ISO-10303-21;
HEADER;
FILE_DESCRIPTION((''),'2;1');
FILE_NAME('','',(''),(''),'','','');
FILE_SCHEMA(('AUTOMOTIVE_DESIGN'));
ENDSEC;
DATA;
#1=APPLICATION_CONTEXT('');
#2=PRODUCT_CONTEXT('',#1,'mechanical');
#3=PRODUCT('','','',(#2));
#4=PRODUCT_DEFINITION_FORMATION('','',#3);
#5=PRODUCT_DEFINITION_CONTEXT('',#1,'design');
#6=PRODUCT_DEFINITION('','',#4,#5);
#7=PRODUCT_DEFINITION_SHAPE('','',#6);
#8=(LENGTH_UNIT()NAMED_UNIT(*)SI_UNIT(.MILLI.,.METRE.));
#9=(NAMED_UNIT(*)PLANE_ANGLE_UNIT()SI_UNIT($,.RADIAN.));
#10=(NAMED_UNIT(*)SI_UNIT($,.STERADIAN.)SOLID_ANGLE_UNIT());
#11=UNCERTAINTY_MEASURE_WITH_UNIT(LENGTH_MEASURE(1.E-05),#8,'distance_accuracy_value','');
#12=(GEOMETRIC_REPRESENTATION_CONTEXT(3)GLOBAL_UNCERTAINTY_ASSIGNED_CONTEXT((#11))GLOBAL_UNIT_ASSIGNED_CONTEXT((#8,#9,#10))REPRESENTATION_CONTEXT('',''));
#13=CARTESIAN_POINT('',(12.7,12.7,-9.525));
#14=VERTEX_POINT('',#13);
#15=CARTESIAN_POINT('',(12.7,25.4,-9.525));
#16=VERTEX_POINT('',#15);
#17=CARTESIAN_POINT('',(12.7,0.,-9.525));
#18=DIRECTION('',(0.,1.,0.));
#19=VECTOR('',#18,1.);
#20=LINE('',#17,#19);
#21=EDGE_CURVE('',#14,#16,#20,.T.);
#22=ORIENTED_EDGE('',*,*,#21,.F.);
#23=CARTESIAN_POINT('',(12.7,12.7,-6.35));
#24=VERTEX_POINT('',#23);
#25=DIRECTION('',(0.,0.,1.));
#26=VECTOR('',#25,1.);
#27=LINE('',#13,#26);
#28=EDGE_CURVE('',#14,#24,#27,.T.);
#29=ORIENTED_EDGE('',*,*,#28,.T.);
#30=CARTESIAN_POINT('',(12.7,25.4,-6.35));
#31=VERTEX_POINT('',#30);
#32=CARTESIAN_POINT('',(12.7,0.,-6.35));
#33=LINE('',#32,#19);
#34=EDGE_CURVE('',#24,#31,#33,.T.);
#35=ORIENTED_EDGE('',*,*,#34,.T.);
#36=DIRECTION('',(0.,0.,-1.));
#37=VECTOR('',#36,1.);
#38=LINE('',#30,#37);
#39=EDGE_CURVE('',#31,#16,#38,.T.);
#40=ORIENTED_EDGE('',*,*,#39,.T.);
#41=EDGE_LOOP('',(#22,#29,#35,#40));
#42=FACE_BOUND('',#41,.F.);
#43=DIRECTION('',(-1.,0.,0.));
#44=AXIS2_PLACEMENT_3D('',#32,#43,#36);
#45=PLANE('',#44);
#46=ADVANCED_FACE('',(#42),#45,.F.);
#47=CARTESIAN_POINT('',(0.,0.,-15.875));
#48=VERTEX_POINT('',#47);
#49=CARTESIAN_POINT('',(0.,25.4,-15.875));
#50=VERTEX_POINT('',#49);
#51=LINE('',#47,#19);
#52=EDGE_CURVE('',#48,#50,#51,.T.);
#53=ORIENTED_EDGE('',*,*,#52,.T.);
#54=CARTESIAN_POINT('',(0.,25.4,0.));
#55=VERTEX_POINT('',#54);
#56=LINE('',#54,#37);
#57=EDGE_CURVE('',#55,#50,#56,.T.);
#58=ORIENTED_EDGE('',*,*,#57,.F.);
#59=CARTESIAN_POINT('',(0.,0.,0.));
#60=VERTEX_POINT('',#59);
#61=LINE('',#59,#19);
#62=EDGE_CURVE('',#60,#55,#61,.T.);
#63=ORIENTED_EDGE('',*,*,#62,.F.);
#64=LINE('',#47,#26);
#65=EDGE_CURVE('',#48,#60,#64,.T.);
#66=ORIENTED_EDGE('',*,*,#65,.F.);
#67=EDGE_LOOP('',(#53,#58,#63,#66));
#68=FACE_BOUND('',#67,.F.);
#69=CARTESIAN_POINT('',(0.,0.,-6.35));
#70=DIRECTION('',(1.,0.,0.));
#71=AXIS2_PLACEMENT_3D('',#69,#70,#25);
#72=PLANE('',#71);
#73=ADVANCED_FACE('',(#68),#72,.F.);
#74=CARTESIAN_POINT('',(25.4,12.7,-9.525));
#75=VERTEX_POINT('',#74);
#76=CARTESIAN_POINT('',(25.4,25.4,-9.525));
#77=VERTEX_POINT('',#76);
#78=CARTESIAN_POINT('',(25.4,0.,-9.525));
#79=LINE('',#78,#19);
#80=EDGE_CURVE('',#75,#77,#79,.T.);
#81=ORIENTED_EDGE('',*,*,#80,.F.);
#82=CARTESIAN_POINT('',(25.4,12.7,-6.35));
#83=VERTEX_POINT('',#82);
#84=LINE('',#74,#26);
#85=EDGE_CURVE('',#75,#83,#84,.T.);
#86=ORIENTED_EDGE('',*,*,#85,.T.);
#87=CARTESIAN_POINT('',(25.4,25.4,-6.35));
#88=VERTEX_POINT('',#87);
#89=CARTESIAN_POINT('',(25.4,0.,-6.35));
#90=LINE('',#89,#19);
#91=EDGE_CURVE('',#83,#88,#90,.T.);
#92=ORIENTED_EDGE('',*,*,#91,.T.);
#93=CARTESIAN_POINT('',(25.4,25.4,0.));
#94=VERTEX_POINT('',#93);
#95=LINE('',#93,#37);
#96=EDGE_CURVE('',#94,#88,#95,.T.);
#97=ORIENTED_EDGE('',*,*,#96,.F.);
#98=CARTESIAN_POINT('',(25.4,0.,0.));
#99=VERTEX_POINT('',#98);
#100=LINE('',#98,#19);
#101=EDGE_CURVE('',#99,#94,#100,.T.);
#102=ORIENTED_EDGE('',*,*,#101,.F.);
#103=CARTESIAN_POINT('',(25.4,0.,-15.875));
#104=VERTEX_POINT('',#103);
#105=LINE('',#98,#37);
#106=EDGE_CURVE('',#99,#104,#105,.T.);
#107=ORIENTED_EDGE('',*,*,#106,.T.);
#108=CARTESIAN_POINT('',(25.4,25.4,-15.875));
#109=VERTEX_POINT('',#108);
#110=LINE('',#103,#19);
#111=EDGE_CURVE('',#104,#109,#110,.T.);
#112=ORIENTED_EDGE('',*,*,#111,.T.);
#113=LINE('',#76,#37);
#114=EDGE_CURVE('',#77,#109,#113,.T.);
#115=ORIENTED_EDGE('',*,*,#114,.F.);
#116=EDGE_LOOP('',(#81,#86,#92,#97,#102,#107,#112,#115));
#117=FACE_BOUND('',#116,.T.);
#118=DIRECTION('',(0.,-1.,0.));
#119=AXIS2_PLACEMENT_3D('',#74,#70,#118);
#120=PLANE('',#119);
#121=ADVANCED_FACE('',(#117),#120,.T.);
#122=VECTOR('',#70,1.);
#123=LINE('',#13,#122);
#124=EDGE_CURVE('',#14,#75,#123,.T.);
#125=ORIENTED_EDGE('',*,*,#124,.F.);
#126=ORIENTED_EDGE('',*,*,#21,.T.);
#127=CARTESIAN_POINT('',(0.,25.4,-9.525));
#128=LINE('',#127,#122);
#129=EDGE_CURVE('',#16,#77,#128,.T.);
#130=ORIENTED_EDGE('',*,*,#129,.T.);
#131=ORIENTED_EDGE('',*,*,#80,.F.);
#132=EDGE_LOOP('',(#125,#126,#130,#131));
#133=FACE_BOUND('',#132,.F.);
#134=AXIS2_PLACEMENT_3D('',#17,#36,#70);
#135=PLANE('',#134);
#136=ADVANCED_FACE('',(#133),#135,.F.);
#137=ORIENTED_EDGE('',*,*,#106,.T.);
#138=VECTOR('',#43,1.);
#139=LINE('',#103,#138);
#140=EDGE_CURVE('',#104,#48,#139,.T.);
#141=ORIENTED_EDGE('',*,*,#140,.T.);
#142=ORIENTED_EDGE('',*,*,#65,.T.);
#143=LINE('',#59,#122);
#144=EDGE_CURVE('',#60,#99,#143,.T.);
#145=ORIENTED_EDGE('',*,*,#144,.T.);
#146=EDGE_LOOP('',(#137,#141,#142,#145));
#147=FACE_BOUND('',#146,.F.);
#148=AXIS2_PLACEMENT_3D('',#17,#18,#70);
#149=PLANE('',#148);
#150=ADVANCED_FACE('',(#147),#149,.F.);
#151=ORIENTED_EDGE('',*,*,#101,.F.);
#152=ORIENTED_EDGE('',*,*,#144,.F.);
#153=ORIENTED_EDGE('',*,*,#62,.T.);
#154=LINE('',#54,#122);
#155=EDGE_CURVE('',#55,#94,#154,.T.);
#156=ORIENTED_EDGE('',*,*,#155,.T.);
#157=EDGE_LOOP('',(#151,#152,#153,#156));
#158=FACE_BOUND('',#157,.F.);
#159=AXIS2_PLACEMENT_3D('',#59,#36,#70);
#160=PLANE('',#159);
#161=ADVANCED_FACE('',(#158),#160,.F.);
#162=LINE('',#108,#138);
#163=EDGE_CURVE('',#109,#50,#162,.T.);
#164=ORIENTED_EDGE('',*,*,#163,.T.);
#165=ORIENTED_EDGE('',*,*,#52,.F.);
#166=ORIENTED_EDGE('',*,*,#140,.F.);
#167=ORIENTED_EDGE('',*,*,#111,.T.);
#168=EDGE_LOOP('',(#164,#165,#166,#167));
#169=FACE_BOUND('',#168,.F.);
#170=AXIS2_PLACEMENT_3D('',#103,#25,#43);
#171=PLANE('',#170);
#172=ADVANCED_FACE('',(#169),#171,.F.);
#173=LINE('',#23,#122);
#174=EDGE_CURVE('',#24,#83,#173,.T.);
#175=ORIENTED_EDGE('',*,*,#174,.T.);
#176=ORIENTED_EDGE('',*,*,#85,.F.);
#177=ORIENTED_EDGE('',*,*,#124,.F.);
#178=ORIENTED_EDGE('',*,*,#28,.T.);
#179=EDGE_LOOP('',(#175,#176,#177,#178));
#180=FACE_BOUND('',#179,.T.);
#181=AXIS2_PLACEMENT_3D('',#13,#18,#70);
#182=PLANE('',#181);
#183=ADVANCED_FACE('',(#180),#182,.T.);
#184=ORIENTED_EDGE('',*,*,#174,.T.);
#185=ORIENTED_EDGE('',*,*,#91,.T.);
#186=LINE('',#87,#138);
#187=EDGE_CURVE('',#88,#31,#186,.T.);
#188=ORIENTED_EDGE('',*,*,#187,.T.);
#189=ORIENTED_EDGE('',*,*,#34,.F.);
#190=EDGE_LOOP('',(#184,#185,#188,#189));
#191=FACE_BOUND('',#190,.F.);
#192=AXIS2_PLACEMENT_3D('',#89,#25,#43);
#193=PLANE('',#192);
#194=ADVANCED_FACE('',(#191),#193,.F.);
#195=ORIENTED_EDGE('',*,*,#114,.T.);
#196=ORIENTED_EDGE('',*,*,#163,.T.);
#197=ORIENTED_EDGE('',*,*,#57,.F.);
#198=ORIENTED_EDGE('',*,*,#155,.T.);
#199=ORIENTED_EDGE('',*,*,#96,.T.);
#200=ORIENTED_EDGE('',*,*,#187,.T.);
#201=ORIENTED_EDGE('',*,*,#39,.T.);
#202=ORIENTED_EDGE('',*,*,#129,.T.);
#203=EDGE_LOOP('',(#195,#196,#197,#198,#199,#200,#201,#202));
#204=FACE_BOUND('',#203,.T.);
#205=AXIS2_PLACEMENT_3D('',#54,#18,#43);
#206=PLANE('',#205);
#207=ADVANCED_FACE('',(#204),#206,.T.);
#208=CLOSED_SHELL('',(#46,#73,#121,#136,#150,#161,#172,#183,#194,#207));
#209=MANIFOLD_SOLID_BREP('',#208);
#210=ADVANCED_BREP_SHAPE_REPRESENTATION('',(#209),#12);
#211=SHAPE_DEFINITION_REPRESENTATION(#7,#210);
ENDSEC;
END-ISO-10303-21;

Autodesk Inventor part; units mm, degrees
ref_plane "YZ Plane" through (0, 0, 0) normal (1, 0, 0) x (0, 1, 0)
ref_plane "XZ Plane" through (0, 0, 0) normal (0, 1, 0) x (-1, 0, 0)
ref_plane "XY Plane" through (0, 0, 0) normal (0, 0, 1) x (1, 0, 0)
sketch "Sketch1" plane through (0, 0, 0) normal (0, 1, 0) x (-1, 0, 0)
  line L0 (0, 0) -> (-25.4, 0)
  line L1 (-25.4, 0) -> (-25.4, -6.35)
  line L2 (-25.4, -6.35) -> (0, -6.35)
  line L3 (0, -6.35) -> (0, 0)
  line L4 (0, -6.35) -> (-12.7, -6.35)
  line L5 (-12.7, -6.35) -> (-12.7, -9.525)
  line L6 (-12.7, -9.525) -> (0, -9.525)
  line L7 (0, -9.525) -> (0, -6.35)
  line L8 (0, -9.525) -> (-25.4, -9.525)
  line L9 (-25.4, -9.525) -> (-25.4, -15.875)
  line L10 (-25.4, -15.875) -> (0, -15.875)
  line L11 (0, -15.875) -> (0, -9.525)
  dimension "d0" = 25.4
  dimension "d1" = 6.35
  dimension "d2" = 12.7
  dimension "d3" = 3.175
  dimension "d4" = 25.4
  dimension "d5" = 6.35
extrude "Extrusion1" add sketch "Sketch1" along normal blind 25.4
sketch "Sketch2" plane through (12.7, 0, -9.525) normal (0, 0, 1) x (1, 0, 0)
  line L0 (0, 0) -> (12.7, 0) projected
  line L1 (12.7, 0) -> (0, 0)
  line L2 (0, 0) -> (0, 12.7)
  line L3 (0, 12.7) -> (12.7, 12.7)
  line L4 (12.7, 12.7) -> (12.7, 0)
  point P0 (-12.7, 0)
  dimension "d8" = 12.7
  dimension "d9" = 12.7
extrude "Extrusion2" add sketch "Sketch2" along normal blind 3.175
properties part number "window frame corner"
